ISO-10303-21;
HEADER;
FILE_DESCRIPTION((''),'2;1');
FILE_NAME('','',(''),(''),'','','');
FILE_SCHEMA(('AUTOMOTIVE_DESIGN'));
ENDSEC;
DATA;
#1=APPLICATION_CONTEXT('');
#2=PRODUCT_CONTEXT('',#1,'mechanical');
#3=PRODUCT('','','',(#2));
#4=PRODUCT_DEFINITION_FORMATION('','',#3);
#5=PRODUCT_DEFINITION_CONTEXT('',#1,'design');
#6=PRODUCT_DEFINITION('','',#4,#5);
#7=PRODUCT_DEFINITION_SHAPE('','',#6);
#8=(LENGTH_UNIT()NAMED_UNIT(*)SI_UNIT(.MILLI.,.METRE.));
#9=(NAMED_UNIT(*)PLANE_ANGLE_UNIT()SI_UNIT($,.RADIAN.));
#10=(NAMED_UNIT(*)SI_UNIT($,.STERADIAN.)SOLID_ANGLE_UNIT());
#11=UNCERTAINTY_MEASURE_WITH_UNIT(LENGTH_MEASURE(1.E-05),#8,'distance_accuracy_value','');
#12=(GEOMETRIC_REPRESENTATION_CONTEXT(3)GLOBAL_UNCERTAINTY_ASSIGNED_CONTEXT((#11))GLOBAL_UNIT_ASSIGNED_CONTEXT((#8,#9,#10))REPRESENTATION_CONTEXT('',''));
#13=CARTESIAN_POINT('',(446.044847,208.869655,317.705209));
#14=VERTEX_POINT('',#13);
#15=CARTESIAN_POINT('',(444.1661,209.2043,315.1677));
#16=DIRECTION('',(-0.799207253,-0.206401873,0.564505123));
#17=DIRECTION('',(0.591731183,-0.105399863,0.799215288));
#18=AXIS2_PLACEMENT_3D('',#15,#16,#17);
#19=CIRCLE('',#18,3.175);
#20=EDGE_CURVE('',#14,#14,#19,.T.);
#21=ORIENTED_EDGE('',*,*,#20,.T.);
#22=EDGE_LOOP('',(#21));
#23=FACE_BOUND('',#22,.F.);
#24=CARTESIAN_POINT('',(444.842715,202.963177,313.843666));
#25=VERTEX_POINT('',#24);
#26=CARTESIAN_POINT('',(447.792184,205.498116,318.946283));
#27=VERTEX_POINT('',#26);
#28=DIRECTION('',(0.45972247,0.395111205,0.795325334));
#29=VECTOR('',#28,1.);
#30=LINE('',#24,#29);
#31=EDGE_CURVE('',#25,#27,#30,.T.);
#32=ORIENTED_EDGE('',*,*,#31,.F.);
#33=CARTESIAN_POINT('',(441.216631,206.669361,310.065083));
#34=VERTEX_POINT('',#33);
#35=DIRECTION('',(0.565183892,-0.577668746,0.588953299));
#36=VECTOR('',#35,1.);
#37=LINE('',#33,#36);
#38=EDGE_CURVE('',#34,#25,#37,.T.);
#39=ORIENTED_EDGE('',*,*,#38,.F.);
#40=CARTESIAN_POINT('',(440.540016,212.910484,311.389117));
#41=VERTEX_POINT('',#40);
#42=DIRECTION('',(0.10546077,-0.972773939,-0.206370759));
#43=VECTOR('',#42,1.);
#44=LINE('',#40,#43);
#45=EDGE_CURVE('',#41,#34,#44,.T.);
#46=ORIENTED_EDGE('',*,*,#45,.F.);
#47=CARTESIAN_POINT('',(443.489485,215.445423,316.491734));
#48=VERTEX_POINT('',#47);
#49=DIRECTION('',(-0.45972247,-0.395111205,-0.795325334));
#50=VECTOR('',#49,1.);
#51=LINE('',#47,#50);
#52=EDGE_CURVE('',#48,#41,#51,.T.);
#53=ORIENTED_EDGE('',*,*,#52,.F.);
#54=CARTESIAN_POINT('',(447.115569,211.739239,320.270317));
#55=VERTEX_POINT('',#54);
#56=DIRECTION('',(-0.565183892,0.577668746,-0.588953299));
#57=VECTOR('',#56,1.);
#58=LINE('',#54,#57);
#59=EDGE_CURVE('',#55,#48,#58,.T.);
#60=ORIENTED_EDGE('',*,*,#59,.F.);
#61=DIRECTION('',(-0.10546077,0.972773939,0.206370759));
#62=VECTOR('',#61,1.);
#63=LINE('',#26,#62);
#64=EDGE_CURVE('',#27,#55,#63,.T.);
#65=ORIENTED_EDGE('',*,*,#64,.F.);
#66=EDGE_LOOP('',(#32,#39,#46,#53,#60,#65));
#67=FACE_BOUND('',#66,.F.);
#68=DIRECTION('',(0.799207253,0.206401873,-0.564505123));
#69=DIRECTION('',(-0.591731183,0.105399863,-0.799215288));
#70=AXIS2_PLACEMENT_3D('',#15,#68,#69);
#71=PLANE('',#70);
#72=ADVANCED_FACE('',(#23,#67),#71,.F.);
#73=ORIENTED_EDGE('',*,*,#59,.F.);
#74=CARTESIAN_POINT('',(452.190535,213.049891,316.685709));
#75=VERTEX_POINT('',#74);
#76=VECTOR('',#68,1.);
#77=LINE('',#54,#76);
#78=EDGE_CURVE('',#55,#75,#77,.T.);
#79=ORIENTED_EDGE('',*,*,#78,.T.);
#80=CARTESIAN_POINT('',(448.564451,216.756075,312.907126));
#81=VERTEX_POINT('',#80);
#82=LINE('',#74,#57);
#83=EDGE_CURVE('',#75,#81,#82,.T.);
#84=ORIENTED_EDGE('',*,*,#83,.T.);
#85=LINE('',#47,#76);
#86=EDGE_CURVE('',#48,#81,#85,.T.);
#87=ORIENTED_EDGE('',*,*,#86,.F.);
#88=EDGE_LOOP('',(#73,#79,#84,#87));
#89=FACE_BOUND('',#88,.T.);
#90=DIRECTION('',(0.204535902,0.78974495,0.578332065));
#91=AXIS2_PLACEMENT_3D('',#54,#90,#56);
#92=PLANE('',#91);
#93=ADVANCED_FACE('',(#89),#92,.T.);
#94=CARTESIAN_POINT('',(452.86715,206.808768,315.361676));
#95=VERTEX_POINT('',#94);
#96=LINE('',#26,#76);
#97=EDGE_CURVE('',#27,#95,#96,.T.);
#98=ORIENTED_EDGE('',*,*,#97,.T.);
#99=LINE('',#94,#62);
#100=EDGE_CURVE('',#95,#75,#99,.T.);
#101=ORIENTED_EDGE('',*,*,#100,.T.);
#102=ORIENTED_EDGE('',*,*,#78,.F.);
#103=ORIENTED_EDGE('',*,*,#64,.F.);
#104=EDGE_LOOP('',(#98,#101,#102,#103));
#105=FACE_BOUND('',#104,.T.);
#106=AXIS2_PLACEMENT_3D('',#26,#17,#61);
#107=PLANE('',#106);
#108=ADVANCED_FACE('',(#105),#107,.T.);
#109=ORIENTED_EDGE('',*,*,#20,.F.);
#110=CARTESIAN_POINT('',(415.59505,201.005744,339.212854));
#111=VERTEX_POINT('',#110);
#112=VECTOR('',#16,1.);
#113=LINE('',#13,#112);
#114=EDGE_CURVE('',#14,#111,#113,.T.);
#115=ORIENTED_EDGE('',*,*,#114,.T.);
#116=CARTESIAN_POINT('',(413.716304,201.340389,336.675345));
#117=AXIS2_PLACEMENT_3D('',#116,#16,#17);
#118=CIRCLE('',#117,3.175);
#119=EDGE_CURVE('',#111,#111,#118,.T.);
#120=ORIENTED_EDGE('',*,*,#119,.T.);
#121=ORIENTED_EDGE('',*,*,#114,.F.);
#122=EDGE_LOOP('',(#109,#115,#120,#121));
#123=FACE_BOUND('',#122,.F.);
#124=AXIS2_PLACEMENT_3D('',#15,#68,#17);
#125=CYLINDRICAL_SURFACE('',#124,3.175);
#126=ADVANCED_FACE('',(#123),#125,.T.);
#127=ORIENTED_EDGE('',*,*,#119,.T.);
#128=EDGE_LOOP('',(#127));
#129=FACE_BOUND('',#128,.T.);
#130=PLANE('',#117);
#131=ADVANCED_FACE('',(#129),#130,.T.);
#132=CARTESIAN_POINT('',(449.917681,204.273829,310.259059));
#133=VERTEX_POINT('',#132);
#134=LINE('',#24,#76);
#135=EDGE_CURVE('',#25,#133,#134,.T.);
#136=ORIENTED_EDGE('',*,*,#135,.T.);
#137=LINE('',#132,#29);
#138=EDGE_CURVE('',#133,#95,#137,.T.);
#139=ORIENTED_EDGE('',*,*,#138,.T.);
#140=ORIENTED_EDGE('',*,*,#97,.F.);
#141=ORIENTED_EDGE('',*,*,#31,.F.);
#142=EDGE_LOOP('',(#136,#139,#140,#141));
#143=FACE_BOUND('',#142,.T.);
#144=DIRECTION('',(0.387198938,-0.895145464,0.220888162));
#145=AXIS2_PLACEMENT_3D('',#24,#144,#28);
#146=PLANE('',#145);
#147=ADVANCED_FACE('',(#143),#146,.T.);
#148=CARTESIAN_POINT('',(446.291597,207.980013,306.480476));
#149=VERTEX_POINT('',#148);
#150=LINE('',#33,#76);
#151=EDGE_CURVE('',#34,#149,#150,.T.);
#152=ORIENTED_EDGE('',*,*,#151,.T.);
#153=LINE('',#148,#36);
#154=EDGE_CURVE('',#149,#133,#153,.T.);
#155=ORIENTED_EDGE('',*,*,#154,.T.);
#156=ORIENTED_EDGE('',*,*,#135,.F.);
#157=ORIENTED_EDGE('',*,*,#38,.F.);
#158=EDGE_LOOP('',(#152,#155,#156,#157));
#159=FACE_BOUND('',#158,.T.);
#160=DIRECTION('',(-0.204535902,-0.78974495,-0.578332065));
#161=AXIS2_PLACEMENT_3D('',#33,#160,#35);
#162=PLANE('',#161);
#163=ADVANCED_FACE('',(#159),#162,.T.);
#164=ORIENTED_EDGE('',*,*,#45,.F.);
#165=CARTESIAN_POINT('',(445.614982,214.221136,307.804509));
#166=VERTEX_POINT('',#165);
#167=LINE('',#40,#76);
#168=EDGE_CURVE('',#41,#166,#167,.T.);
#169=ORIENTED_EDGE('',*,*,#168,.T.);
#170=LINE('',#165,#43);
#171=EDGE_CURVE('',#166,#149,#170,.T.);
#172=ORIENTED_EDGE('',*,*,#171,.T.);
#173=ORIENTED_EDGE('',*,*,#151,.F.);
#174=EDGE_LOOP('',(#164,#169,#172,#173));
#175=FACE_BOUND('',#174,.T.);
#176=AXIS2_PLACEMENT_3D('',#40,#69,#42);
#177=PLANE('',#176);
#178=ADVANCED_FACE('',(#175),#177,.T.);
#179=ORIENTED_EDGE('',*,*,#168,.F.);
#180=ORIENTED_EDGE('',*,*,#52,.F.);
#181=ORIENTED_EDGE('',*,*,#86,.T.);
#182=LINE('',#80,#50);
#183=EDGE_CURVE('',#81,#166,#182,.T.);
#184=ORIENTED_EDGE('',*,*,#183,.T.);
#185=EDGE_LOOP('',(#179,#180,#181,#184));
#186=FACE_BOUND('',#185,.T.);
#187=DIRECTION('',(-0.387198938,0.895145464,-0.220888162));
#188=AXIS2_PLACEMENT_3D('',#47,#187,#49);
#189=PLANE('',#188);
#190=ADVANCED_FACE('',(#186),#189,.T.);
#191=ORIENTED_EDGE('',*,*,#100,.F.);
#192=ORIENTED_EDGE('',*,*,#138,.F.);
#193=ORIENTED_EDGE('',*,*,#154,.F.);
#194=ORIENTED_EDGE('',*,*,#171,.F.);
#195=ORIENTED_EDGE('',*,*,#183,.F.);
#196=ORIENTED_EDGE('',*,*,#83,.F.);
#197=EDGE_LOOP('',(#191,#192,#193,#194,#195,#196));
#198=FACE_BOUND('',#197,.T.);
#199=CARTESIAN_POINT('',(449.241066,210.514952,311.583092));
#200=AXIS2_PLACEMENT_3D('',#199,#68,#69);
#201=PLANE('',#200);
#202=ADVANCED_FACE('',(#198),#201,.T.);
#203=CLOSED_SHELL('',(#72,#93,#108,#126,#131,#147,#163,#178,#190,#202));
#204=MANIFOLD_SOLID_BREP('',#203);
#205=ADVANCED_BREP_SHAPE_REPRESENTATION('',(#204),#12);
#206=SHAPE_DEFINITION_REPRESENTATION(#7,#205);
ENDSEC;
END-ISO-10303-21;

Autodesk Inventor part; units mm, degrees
ref_plane "YZ Plane" through (0, 0, 0) normal (1, 0, 0) x (0, 1, 0)
ref_plane "XZ Plane" through (0, 0, 0) normal (0, 1, 0) x (-1, 0, 0)
ref_plane "XY Plane" through (0, 0, 0) normal (0, 0, 1) x (1, 0, 0)
ref_plane "Work Plane1" through (444.1661, 209.2043, 315.1677) normal (0.7992, 0.2064, -0.5645) x (-0.5917, 0.1054, -0.7992)
sketch "Sketch1" plane through (444.1661, 209.2043, 315.1677) normal (0.7992, 0.2064, -0.5645) x (-0.5917, 0.1054, -0.7992)
  line L0 (0, 6.4158) -> (5.5562, 3.2079)
  line L1 (5.5562, 3.2079) -> (5.5562, -3.2079)
  line L2 (5.5562, -3.2079) -> (0, -6.4158)
  line L3 (0, -6.4158) -> (-5.5562, -3.2079)
  line L4 (-5.5562, -3.2079) -> (-5.5562, 3.2079)
  line L5 (-5.5562, 3.2079) -> (0, 6.4158)
  point P0 (492.659, -221.7278)
  point P1 (0, 0)
  point P2 (5.5563, 0)
  dimension "d0" = 11.1125
extrude "Extrusion1" add sketch "Sketch1" along normal blind 6.35
sketch "Sketch2" plane through (444.1661, 209.2043, 315.1677) normal (-0.7992, -0.2064, 0.5645) x (0.5917, -0.1054, 0.7992)
  circle A0 centre (0, 0) radius 3.175
  line L0 (-5.5562, 3.2079) -> (-5.5562, -3.2079) projected
  line L1 (0, 6.4158) -> (-5.5562, 3.2079) projected
  point P0 (-492.659, -221.7278)
  dimension "d3" = 6.35
  dimension "d4" = 5.5563
  dimension "d5" = 5.5563
extrude "Extrusion2" add sketch "Sketch2" along normal blind 38.1
properties part number "bolt"
